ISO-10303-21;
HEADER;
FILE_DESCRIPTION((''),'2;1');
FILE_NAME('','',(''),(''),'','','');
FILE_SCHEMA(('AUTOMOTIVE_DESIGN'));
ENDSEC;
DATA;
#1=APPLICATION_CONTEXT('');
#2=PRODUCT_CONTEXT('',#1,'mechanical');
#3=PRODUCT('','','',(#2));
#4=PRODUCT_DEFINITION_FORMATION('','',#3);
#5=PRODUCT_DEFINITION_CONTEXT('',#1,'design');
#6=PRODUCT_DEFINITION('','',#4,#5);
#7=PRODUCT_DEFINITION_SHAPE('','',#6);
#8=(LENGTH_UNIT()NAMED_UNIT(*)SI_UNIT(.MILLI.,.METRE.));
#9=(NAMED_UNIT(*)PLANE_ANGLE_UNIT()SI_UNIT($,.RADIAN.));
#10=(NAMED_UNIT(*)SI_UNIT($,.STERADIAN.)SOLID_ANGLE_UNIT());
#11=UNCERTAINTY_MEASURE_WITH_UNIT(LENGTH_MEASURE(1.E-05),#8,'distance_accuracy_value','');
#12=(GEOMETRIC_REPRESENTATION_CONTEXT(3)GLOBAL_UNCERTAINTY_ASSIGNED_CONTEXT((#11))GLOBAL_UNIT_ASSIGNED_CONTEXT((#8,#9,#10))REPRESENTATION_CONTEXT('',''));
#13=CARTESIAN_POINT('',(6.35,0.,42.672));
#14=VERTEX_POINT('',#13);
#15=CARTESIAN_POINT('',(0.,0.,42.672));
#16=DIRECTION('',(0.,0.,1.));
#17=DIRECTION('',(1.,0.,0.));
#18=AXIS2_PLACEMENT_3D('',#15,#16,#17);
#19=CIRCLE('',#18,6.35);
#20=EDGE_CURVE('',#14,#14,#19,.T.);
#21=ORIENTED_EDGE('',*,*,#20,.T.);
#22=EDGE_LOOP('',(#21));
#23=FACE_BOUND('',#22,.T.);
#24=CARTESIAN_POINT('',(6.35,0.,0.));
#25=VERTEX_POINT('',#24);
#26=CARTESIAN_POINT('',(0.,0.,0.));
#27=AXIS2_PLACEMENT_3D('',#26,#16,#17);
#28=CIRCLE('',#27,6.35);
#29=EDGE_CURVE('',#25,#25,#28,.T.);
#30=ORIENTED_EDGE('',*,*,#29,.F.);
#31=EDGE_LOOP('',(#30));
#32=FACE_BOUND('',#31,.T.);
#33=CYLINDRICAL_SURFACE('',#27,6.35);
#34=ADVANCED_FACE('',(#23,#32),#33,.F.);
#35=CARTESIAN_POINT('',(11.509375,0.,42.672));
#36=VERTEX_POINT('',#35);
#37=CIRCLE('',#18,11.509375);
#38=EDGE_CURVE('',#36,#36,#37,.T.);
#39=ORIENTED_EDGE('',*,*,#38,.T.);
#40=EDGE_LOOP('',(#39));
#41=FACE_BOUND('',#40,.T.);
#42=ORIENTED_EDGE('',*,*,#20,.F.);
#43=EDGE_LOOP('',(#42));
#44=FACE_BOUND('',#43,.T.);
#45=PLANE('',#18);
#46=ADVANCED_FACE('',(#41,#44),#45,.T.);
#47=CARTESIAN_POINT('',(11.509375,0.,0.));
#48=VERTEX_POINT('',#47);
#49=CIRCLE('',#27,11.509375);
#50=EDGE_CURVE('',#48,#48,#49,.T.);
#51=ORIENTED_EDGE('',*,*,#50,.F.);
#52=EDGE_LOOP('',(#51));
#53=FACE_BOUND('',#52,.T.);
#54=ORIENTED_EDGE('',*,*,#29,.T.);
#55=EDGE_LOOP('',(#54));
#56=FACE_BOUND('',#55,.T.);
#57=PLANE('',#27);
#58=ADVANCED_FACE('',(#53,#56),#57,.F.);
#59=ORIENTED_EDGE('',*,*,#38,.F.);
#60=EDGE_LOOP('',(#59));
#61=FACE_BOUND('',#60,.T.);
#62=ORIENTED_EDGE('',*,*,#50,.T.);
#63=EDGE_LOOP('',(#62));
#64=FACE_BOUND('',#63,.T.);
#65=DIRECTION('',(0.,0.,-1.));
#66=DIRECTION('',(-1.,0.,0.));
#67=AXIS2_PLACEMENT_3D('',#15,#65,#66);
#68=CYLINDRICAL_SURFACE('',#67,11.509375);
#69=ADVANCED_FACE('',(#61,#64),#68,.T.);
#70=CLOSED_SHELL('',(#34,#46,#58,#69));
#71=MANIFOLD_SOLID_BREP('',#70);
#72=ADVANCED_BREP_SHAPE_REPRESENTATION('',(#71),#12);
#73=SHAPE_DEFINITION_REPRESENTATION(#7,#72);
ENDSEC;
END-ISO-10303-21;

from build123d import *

# Parameters (mm, degrees)
SKETCH1_R               = 11.509375
BOSS_EXTRUDE1_DEPTH     = 42.672
SKETCH2_R               = 6.35
CUT_EXTRUDE1_DEPTH      = 1
CUT_EXTRUDE1_DEPTH_BACK = 43.672


with BuildPart() as part:
    # Sketch1 → Boss-Extrude1 (new body)
    with BuildSketch(Plane.XY):
        Circle(SKETCH1_R)
    extrude(amount=BOSS_EXTRUDE1_DEPTH)

    # Sketch2 → Cut-Extrude1 (cut, two sides)
    with BuildSketch(Plane.XY.offset(42.672)) as cut_extrude1_sk:
        Circle(SKETCH2_R)
    extrude(amount=CUT_EXTRUDE1_DEPTH, mode=Mode.SUBTRACT)
    extrude(cut_extrude1_sk.sketch, amount=-CUT_EXTRUDE1_DEPTH_BACK, mode=Mode.SUBTRACT)


solid = part.part
